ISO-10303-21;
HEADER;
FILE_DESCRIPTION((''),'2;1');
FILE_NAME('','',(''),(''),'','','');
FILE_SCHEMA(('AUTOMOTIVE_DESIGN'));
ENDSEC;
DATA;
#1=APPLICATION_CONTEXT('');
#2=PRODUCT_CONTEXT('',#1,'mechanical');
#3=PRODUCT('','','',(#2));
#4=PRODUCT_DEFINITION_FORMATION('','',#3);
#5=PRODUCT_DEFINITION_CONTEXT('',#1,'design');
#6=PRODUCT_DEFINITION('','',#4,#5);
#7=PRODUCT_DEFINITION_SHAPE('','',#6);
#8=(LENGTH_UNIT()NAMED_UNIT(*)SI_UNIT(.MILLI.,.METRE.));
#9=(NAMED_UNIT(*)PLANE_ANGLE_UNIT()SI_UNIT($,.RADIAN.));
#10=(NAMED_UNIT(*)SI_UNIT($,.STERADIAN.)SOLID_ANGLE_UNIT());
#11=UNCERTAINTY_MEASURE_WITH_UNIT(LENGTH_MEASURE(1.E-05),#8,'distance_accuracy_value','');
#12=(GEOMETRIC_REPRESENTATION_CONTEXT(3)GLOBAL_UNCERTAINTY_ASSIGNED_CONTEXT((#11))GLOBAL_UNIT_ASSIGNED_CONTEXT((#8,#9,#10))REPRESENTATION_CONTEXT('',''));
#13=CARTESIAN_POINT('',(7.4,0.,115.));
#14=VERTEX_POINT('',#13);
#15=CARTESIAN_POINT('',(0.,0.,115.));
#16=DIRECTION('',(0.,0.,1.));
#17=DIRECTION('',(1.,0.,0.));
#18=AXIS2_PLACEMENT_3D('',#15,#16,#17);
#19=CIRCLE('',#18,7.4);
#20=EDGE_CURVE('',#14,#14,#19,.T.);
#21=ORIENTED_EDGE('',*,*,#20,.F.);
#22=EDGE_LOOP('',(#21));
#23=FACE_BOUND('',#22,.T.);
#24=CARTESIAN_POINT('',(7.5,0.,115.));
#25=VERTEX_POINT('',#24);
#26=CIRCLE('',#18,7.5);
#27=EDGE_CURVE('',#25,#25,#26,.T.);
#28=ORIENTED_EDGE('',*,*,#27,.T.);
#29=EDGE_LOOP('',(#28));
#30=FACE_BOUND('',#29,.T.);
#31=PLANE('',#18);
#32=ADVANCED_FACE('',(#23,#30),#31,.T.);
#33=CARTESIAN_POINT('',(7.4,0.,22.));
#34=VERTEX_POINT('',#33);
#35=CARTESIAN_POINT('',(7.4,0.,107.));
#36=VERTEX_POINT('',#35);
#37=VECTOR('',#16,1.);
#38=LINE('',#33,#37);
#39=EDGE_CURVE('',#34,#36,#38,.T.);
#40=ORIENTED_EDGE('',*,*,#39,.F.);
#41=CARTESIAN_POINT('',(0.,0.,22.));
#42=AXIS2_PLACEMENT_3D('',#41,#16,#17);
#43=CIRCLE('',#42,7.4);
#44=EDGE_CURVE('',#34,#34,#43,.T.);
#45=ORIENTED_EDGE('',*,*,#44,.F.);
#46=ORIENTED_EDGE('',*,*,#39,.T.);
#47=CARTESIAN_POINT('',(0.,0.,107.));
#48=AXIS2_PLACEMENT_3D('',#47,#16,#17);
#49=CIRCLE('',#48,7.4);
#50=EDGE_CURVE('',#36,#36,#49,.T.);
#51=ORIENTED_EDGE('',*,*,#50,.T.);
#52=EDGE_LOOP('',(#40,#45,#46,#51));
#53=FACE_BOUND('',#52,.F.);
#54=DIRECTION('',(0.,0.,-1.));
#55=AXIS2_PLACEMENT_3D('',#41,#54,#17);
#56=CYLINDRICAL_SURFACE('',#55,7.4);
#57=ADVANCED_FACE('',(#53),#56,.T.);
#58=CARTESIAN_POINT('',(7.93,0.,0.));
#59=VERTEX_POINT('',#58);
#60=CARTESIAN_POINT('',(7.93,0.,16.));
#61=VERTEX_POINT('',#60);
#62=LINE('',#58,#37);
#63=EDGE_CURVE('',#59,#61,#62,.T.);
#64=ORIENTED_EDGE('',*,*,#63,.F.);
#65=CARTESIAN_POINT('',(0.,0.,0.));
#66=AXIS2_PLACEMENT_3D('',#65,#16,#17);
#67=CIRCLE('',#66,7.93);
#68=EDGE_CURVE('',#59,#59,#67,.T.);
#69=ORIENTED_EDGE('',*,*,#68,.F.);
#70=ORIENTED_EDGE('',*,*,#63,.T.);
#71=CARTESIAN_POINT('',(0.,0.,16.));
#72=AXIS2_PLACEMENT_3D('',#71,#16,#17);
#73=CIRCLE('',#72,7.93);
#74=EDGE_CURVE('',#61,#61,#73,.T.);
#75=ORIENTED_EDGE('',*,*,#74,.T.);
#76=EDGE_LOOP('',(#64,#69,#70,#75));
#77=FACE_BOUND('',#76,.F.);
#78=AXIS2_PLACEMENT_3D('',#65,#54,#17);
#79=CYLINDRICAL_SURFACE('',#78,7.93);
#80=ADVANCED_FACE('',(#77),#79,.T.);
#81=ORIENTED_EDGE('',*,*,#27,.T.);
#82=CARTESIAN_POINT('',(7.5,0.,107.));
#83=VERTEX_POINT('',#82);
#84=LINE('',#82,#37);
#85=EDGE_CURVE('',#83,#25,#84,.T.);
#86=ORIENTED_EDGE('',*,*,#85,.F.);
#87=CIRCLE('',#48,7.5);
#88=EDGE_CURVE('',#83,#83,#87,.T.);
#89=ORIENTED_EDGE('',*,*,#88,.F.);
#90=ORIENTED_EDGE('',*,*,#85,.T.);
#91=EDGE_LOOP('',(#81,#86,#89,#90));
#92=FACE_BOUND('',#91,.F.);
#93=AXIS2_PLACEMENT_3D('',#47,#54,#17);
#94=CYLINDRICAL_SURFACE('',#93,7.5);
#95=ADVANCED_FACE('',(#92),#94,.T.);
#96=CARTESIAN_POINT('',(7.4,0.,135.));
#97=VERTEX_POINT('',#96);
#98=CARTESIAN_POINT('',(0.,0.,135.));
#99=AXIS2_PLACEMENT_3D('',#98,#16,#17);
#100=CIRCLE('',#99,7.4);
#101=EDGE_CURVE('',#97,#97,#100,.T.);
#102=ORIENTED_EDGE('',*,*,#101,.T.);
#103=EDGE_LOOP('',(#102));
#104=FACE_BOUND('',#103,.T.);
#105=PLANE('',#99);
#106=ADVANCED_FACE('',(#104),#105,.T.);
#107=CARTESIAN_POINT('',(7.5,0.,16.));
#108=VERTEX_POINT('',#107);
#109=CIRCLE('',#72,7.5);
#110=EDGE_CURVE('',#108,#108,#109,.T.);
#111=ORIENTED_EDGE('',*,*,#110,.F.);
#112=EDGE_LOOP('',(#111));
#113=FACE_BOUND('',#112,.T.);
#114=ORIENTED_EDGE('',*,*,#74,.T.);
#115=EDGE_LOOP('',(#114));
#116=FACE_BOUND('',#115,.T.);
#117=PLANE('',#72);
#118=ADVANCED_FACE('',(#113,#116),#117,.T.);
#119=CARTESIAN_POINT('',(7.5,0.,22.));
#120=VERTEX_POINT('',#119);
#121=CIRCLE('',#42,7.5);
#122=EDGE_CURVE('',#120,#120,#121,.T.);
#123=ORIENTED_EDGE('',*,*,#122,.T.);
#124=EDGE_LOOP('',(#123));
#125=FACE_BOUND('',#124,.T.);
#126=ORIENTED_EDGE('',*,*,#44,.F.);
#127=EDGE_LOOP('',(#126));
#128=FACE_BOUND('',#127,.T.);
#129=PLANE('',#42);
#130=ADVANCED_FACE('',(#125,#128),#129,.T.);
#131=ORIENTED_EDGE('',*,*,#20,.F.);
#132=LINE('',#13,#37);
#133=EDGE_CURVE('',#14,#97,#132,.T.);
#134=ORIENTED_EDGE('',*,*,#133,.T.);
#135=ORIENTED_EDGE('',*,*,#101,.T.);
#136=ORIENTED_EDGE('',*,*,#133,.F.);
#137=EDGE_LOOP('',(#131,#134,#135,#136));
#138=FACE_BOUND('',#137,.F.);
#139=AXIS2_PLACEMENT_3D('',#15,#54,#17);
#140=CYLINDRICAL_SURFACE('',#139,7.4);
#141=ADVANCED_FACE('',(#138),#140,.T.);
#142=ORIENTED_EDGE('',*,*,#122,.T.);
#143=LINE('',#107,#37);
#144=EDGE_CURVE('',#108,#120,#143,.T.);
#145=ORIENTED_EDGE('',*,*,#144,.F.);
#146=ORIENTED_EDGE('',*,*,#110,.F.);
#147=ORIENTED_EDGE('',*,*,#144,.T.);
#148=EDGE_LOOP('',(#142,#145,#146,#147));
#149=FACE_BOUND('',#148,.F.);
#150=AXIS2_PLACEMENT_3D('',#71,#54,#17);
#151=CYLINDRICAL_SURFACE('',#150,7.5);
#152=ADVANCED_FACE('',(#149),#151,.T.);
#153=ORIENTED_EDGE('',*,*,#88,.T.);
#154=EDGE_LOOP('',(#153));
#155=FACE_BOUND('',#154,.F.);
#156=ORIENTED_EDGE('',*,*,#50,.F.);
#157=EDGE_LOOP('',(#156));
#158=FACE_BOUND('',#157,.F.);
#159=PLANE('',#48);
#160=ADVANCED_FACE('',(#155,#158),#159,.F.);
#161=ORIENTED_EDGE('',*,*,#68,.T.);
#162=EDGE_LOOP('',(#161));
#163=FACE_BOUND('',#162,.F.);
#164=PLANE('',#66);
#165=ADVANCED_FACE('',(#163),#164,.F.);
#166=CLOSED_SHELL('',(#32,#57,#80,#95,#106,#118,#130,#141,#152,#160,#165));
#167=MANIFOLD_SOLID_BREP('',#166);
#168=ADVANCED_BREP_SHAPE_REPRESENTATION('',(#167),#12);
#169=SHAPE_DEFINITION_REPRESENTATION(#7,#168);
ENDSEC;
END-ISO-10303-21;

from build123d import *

# Parameters (mm, degrees)
SKETCH004_R  = 7.93
PAD_DEPTH    = 16
SKETCH005_R  = 7.5
PAD001_DEPTH = 6
SKETCH006_R  = 7.4
PAD002_DEPTH = 85
SKETCH007_R  = 7.5
PAD003_DEPTH = 8
SKETCH008_R  = 7.4
PAD004_DEPTH = 20


with BuildPart() as part:
    # Sketch004 → Pad (new body)
    with BuildSketch(Plane.XY):
        Circle(SKETCH004_R)
    extrude(amount=PAD_DEPTH)

    # Sketch005 → Pad001 (new body)
    with BuildSketch(Plane.XY.offset(16)):
        Circle(SKETCH005_R)
    extrude(amount=PAD001_DEPTH)

    # Sketch006 → Pad002 (new body)
    with BuildSketch(Plane.XY.offset(22)):
        Circle(SKETCH006_R)
    extrude(amount=PAD002_DEPTH)

    # Sketch007 → Pad003 (new body)
    with BuildSketch(Plane.XY.offset(107)):
        Circle(SKETCH007_R)
    extrude(amount=PAD003_DEPTH)

    # Sketch008 → Pad004 (new body)
    with BuildSketch(Plane.XY.offset(115)):
        Circle(SKETCH008_R)
    extrude(amount=PAD004_DEPTH)


solid = part.part
